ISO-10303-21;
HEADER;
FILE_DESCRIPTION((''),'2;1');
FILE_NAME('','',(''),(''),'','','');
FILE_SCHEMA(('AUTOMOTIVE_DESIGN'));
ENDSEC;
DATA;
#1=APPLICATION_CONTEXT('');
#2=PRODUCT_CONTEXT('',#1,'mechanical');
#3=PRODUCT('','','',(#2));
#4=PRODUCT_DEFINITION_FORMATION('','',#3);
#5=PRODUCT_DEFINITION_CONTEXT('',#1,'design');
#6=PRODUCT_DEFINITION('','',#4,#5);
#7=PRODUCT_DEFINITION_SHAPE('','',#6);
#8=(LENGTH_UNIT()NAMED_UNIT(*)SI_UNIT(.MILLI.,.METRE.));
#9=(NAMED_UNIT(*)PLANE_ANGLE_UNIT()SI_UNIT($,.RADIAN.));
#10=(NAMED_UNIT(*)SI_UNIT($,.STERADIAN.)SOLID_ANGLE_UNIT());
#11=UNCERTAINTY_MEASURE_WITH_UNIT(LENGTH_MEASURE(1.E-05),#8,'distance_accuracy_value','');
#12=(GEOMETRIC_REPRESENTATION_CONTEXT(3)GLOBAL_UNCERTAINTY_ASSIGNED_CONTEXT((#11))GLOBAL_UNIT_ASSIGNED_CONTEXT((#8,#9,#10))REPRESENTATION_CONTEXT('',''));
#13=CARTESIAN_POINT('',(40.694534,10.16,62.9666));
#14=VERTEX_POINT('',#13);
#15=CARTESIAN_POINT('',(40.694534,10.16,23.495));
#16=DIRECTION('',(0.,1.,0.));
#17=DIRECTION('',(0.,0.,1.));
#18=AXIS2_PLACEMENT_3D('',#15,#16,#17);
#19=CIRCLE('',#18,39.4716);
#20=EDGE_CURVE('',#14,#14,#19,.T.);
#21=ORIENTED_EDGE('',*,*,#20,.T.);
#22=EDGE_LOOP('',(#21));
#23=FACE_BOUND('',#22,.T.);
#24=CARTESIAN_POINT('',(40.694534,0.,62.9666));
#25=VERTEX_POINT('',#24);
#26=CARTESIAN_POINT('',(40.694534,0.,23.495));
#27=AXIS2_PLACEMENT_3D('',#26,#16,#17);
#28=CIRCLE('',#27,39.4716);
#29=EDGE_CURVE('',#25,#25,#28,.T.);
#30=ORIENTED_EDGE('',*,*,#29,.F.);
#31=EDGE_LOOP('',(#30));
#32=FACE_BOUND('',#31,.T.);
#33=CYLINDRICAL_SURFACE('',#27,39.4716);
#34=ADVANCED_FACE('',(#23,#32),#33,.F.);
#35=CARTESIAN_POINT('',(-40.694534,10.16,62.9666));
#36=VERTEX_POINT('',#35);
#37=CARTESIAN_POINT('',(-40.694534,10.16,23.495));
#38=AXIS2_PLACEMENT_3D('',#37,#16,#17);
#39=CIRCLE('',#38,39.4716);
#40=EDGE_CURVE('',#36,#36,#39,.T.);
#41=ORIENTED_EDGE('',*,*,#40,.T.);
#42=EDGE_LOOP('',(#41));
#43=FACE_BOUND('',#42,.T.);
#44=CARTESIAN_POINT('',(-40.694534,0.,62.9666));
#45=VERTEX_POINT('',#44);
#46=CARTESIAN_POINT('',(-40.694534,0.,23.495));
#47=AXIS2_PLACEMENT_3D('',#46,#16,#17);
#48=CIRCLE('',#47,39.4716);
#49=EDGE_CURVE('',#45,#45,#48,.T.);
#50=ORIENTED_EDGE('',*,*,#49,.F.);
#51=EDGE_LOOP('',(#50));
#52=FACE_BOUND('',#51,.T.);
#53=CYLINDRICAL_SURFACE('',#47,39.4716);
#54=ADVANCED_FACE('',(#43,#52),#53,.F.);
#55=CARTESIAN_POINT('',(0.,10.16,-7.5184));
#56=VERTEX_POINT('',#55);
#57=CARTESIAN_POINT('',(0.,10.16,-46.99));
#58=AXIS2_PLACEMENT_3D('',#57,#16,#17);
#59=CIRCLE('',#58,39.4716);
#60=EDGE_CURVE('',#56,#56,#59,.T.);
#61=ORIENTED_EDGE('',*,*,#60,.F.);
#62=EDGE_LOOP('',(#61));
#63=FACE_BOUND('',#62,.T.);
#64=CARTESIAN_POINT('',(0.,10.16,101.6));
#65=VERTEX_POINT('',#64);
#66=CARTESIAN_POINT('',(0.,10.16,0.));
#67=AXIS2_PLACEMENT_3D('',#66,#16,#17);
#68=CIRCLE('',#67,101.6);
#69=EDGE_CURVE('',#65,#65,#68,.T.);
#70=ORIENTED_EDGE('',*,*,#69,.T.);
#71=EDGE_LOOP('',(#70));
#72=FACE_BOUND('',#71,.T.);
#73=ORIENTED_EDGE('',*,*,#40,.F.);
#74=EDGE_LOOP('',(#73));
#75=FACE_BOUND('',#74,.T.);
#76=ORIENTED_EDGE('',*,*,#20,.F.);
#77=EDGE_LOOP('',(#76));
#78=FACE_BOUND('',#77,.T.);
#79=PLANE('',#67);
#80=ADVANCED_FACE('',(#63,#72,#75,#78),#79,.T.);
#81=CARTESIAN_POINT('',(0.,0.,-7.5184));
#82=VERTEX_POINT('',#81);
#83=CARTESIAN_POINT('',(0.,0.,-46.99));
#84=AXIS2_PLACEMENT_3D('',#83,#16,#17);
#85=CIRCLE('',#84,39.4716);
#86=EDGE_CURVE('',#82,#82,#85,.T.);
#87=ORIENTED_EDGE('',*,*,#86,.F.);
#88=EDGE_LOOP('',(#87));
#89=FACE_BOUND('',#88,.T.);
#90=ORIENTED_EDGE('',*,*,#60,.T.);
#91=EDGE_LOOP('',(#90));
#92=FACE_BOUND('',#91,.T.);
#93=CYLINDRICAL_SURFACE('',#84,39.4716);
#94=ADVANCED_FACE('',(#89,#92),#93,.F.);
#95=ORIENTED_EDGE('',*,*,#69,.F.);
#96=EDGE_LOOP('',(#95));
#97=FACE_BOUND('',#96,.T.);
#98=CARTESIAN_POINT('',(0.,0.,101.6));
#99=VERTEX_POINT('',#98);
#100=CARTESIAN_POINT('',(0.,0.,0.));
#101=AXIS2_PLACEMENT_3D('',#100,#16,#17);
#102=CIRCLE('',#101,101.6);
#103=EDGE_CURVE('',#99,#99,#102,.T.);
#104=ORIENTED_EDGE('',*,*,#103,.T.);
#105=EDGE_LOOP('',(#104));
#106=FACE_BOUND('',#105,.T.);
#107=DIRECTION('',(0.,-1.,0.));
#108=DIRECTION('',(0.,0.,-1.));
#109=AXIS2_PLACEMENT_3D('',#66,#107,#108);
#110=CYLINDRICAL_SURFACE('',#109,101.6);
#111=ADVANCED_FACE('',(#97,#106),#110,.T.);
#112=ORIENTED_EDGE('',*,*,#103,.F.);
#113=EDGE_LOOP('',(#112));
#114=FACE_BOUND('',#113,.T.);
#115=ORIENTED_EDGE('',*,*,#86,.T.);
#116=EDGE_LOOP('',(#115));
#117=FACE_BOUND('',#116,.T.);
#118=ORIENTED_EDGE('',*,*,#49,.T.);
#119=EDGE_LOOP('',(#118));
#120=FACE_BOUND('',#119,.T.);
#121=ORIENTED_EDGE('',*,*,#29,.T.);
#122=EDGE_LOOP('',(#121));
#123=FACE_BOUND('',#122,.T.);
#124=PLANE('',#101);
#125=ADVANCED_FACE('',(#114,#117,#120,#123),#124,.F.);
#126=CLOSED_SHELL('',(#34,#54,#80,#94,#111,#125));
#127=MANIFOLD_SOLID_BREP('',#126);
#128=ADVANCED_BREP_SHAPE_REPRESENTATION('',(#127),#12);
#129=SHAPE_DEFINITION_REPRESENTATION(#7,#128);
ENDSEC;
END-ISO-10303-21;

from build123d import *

# Parameters (mm, degrees)
SKETCH1_R           = 101.6
BOSS_EXTRUDE1_DEPTH = 10.16
SKETCH2_R           = 39.4716
CUT_EXTRUDE1_DEPTH  = 11.16


with BuildPart() as part:
    # Sketch1 → Boss-Extrude1 (new body)
    with BuildSketch(Plane(origin=(0, 0, 0), x_dir=(1, 0, 0), z_dir=(0, 1, 0))):
        Circle(SKETCH1_R)
    extrude(amount=BOSS_EXTRUDE1_DEPTH)

    # Sketch2 → Cut-Extrude1 (cut, through all)
    with BuildSketch(Plane(origin=(0, 10.16, 0), x_dir=(1, 0, 0), z_dir=(0, 1, 0))):
        with Locations((0, 46.99)):
            Circle(SKETCH2_R)
        with Locations((40.694533724, -23.495)):
            Circle(SKETCH2_R)
        with Locations((-40.694533724, -23.495)):
            Circle(SKETCH2_R)
    extrude(amount=-CUT_EXTRUDE1_DEPTH, mode=Mode.SUBTRACT)


solid = part.part
